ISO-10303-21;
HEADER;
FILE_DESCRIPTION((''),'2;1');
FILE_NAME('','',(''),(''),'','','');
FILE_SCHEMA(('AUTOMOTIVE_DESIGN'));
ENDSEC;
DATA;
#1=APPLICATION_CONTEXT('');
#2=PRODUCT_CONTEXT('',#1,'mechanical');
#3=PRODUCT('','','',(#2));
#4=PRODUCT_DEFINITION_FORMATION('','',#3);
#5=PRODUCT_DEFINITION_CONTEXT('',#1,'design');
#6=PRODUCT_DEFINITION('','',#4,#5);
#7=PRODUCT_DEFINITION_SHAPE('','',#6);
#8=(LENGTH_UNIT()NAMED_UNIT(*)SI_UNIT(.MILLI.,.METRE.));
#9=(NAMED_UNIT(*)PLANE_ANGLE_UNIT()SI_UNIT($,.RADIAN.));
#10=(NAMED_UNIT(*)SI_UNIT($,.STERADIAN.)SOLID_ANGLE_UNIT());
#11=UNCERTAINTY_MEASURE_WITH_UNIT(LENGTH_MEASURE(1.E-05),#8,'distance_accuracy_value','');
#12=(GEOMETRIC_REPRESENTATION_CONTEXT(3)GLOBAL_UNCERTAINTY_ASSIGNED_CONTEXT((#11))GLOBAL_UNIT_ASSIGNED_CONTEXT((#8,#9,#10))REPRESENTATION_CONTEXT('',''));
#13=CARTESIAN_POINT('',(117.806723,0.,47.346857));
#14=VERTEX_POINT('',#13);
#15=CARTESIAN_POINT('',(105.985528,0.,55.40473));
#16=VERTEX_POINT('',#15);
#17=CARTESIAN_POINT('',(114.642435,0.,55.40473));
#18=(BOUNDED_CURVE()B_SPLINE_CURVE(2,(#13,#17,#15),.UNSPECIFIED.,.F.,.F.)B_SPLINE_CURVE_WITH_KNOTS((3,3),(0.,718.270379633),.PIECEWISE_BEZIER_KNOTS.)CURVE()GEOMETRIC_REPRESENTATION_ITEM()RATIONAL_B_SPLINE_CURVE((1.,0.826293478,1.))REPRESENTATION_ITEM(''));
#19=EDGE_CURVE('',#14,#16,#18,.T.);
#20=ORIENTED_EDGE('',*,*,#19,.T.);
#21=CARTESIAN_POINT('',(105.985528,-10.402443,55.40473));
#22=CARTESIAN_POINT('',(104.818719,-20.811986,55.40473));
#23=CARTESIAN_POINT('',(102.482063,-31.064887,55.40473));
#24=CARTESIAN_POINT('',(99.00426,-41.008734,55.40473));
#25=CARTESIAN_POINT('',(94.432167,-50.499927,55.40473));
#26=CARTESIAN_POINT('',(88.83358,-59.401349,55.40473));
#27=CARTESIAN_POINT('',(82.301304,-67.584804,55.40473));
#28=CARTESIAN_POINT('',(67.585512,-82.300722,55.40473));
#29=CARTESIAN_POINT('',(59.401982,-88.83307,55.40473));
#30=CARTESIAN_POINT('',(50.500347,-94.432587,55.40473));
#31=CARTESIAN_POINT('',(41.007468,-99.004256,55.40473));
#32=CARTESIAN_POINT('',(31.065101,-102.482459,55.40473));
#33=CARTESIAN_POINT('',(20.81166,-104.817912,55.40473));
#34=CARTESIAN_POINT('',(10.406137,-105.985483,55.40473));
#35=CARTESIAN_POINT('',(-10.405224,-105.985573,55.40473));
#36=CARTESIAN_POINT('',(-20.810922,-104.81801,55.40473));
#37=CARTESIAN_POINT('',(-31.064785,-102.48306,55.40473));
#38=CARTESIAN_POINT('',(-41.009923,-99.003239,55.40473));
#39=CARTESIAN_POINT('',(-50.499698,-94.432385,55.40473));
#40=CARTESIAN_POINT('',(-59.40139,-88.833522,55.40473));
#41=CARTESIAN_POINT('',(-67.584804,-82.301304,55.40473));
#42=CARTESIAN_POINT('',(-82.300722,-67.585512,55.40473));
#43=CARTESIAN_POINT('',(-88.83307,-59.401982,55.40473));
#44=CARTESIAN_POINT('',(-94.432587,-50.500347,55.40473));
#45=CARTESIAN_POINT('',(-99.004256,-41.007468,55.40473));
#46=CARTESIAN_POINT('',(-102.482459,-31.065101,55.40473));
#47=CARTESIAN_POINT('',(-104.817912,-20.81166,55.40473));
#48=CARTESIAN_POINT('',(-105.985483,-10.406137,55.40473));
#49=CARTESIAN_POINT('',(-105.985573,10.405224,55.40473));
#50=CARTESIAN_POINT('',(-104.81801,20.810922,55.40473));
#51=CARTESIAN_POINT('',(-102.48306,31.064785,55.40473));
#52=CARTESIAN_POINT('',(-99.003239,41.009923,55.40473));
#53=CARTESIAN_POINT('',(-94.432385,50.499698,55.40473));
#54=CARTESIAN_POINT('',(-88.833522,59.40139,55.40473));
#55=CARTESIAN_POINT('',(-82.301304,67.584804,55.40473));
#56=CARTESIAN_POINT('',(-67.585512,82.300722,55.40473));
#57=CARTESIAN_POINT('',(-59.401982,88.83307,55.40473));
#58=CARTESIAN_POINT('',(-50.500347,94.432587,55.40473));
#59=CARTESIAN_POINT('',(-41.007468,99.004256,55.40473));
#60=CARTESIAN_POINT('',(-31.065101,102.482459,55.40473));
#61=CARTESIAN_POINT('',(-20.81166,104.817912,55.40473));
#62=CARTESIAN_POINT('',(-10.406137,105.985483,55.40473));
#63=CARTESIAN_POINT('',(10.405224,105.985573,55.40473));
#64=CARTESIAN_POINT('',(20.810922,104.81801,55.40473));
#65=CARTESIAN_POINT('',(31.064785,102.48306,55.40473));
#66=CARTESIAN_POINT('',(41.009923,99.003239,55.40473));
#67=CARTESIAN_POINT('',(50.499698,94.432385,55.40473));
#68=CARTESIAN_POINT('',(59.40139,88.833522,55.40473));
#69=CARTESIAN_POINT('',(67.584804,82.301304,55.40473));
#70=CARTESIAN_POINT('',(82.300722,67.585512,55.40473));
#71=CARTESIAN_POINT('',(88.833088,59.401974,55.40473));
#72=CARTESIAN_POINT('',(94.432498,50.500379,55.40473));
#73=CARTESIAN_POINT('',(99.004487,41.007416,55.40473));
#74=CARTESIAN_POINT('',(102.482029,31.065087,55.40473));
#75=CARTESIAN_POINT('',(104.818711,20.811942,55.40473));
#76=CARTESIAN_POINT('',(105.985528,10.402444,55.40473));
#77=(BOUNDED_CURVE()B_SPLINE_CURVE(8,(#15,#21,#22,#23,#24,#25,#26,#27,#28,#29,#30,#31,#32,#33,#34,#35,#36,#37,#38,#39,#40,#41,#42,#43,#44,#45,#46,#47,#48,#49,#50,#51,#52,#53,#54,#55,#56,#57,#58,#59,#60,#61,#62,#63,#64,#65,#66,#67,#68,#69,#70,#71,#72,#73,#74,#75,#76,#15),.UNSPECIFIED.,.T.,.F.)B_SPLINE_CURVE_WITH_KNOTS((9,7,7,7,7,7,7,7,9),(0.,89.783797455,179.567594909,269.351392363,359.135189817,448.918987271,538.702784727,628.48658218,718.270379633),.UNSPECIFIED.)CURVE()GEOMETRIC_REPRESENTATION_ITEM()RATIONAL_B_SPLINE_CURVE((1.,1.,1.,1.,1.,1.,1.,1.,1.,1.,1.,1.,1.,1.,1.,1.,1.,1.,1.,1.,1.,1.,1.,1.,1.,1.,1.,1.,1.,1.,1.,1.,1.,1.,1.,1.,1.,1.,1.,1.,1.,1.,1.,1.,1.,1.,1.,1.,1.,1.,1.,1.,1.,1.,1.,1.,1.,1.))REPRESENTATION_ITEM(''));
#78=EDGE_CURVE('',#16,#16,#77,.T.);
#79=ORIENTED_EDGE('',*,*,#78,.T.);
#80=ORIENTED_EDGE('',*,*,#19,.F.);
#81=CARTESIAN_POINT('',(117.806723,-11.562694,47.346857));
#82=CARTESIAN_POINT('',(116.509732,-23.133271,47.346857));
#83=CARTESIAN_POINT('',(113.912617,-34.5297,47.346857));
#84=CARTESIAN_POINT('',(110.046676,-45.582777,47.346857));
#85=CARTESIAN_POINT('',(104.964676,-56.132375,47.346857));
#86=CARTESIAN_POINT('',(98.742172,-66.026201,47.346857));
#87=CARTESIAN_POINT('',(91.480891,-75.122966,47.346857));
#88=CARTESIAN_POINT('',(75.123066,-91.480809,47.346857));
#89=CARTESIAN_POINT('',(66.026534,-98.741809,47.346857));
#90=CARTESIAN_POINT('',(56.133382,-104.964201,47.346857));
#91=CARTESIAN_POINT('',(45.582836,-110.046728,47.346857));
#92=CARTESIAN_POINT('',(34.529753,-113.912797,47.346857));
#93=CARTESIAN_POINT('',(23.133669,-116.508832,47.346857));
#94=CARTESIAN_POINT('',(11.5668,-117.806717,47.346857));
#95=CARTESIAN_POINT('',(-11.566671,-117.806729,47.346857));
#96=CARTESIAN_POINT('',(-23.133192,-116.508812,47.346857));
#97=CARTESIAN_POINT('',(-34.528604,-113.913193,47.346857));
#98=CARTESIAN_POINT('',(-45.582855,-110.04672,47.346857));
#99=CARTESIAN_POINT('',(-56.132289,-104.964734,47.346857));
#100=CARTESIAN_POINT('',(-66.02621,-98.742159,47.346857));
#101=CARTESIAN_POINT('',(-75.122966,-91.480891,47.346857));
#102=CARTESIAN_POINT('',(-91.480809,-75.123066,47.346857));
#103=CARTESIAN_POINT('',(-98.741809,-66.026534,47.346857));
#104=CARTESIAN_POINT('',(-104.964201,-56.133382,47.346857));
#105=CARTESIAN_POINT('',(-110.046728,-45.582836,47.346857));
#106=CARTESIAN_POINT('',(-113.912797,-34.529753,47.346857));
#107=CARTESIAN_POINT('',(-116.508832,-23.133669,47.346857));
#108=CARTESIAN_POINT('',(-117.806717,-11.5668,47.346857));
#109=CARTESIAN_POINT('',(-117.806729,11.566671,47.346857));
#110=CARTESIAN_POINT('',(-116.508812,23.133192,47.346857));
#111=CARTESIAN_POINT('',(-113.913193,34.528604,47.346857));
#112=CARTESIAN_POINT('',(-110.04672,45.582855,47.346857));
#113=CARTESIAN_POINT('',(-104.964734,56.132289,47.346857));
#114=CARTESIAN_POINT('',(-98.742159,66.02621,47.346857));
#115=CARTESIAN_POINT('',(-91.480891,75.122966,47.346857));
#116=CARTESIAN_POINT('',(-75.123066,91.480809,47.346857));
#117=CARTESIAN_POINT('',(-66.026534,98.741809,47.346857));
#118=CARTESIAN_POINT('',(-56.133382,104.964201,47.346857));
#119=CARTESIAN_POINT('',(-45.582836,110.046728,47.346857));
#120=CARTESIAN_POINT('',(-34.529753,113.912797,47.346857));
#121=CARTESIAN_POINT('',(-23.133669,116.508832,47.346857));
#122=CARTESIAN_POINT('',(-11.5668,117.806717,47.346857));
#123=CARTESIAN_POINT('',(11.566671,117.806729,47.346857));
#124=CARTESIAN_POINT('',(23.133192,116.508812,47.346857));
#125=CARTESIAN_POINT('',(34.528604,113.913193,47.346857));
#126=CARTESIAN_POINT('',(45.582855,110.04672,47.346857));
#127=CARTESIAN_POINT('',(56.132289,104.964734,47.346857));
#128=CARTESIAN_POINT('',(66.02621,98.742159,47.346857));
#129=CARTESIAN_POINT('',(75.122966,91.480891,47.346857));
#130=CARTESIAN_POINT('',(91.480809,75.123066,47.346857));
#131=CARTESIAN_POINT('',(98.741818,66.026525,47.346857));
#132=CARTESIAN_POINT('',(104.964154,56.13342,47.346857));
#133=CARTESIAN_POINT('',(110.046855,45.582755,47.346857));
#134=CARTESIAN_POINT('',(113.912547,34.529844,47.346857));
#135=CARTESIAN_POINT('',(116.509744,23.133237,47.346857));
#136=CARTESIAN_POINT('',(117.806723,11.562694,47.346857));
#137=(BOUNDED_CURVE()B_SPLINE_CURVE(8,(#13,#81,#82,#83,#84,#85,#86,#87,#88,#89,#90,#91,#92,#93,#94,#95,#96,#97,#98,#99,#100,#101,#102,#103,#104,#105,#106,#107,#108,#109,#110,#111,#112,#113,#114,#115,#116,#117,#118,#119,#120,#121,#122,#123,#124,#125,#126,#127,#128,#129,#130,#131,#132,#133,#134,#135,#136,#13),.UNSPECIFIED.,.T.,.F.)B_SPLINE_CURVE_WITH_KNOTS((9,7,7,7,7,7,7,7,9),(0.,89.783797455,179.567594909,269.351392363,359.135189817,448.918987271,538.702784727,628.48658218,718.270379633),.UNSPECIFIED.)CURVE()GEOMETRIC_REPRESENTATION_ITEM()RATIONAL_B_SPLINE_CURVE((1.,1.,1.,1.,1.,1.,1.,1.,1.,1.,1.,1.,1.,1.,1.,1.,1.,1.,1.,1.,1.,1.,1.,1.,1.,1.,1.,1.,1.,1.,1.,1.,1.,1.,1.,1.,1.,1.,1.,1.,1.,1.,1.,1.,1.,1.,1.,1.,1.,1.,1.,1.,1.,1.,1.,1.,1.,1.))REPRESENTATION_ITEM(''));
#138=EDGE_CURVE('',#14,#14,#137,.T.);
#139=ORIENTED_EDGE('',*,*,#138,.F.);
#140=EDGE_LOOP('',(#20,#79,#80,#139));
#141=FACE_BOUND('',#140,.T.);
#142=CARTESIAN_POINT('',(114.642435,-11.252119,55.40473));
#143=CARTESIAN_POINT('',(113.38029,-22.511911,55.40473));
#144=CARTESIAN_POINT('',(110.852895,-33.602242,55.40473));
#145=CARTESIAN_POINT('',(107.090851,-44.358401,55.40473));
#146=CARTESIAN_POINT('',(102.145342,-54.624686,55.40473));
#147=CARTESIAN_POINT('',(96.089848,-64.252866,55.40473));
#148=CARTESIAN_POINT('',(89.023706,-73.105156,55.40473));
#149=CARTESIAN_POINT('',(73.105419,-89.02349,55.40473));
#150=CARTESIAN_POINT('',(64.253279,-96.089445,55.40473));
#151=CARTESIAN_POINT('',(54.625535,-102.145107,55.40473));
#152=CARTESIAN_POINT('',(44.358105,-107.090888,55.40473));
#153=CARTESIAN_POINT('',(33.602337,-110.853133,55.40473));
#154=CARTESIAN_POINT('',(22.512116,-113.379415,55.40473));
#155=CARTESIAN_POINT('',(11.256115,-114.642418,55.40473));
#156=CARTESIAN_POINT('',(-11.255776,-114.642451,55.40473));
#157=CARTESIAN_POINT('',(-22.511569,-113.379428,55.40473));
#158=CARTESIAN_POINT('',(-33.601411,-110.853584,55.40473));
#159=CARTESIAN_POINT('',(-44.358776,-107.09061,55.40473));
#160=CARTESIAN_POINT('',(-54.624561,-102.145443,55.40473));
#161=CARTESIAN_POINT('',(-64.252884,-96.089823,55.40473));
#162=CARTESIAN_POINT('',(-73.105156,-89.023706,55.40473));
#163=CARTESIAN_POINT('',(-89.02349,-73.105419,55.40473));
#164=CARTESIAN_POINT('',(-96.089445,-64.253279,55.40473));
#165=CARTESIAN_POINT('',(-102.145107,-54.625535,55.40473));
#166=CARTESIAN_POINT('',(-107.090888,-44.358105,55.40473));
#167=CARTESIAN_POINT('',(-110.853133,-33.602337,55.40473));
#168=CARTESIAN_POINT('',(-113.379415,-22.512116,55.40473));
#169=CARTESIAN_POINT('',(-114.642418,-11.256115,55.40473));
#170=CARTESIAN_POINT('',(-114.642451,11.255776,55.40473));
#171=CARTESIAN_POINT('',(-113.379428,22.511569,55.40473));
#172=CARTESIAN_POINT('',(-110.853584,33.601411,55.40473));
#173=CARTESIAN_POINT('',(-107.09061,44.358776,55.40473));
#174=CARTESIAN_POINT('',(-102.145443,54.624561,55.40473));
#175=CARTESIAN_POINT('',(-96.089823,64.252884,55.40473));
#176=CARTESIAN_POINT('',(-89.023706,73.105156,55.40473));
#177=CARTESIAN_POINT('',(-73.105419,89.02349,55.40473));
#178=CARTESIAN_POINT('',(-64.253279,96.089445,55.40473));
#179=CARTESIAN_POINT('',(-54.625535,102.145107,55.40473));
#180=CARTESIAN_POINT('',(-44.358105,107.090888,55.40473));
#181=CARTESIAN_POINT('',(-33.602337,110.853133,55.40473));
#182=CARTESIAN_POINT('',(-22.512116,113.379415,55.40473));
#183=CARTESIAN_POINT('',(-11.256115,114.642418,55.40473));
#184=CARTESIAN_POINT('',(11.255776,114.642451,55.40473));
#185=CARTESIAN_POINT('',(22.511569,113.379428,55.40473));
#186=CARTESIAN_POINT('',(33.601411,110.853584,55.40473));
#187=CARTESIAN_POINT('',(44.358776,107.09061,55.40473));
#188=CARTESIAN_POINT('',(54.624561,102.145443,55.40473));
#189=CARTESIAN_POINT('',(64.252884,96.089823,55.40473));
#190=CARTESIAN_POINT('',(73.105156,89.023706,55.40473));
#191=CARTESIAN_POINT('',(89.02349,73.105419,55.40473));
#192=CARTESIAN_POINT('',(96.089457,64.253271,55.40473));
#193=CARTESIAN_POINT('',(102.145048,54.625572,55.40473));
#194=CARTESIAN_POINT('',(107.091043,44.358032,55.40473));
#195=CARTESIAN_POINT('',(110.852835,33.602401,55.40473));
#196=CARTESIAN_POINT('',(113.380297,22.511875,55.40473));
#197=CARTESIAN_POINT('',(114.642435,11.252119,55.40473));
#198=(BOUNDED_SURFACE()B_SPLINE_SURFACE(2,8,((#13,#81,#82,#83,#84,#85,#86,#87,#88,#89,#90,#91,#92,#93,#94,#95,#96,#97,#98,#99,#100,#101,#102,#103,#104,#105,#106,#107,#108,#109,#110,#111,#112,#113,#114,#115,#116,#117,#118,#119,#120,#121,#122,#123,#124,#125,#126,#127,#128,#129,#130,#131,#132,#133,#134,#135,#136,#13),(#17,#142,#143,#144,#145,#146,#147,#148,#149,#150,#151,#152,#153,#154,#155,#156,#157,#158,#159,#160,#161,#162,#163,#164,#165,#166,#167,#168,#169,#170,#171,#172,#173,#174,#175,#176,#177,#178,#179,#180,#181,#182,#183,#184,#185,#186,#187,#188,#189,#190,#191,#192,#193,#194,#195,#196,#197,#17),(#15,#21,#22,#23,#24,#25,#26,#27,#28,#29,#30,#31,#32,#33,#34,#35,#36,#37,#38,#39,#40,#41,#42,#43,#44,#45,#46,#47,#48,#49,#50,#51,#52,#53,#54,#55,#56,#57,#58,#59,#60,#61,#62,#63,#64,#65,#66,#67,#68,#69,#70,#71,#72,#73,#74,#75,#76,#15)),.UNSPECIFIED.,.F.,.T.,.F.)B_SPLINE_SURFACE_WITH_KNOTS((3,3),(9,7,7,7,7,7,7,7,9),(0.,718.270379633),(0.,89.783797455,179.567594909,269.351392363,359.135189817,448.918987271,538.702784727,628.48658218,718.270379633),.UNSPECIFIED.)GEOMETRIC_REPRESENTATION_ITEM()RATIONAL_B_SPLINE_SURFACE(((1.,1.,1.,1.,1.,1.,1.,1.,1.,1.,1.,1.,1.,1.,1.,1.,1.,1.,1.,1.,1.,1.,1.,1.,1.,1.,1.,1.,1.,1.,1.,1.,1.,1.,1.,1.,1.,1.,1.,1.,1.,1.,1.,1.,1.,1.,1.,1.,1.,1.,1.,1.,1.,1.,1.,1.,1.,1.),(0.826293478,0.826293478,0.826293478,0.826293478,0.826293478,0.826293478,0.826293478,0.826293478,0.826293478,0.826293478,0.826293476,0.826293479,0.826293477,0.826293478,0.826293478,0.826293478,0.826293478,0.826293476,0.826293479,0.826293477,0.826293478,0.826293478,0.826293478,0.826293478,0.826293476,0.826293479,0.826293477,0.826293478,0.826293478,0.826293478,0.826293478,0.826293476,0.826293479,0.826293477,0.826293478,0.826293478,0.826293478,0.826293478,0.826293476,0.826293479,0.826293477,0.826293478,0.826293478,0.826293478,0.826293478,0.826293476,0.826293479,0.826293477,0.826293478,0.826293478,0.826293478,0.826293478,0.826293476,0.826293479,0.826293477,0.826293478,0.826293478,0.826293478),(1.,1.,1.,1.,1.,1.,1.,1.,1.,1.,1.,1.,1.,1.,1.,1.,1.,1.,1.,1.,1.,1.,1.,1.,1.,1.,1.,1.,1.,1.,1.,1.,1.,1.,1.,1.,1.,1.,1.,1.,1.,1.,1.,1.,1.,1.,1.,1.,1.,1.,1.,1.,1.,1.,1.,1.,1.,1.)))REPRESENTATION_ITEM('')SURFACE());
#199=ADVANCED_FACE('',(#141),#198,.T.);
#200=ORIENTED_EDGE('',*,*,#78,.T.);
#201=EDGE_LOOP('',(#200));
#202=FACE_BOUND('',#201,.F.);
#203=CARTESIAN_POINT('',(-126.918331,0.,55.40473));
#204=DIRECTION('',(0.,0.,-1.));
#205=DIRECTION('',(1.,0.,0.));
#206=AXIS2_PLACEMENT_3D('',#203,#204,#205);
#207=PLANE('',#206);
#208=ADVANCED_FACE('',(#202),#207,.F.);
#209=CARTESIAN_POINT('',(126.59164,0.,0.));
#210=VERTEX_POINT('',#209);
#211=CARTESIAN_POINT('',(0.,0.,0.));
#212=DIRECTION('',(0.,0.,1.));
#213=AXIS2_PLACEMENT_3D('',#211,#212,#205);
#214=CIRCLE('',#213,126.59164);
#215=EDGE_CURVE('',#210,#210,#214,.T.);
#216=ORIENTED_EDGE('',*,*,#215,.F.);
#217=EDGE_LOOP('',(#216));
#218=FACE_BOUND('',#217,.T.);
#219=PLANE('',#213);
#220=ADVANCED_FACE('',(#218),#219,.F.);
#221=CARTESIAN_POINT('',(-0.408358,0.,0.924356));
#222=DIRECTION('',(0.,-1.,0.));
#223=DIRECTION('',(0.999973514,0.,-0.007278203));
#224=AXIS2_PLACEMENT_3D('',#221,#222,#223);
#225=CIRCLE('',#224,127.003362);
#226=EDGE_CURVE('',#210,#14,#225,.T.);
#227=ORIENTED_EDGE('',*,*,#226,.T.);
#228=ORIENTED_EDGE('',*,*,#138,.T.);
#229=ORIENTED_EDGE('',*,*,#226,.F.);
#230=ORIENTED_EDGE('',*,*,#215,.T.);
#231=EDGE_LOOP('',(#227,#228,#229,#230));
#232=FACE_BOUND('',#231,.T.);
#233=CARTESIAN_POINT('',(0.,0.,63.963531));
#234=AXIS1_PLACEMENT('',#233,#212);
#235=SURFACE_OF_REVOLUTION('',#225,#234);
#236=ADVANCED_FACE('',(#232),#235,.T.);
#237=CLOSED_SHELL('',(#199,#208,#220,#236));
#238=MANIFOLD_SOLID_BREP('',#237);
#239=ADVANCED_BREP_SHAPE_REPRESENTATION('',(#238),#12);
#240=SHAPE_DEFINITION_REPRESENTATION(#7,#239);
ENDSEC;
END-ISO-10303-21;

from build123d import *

# Parameters (mm, degrees)
F2_W     = 259.206295
F2_H     = 78.591727
F3_DEPTH = 142.494
F4_R     = 12.7


with BuildPart() as f1:
    # F0 (on Front) → F1 (revolve)
    with BuildSketch(Plane.XZ):
        with BuildLine():
            Line((0, 0), (126.59164, 0))
            ThreePointArc((126.59164, 0), (89.866531, 90.256872), (0, 127.927062))
            Line((0, 127.927062), (0, 0))
        make_face()
    revolve(axis=Axis((0, 0, 63.963531), (0, 0, 1)))

    # F2 (on Front) → F3 (cut, symmetric)
    with BuildSketch(Plane.XZ):
        with Locations((2.684816, 94.700593)):
            Rectangle(F2_W, F2_H)
    extrude(amount=F3_DEPTH, both=True, mode=Mode.SUBTRACT)

    # F4
    f4_edges = [f1.edges().sort_by_distance(p)[0] for p in [
        (-114.316281, 0, 55.40473),
    ]]
    fillet(f4_edges, radius=F4_R)


solid = f1.part
